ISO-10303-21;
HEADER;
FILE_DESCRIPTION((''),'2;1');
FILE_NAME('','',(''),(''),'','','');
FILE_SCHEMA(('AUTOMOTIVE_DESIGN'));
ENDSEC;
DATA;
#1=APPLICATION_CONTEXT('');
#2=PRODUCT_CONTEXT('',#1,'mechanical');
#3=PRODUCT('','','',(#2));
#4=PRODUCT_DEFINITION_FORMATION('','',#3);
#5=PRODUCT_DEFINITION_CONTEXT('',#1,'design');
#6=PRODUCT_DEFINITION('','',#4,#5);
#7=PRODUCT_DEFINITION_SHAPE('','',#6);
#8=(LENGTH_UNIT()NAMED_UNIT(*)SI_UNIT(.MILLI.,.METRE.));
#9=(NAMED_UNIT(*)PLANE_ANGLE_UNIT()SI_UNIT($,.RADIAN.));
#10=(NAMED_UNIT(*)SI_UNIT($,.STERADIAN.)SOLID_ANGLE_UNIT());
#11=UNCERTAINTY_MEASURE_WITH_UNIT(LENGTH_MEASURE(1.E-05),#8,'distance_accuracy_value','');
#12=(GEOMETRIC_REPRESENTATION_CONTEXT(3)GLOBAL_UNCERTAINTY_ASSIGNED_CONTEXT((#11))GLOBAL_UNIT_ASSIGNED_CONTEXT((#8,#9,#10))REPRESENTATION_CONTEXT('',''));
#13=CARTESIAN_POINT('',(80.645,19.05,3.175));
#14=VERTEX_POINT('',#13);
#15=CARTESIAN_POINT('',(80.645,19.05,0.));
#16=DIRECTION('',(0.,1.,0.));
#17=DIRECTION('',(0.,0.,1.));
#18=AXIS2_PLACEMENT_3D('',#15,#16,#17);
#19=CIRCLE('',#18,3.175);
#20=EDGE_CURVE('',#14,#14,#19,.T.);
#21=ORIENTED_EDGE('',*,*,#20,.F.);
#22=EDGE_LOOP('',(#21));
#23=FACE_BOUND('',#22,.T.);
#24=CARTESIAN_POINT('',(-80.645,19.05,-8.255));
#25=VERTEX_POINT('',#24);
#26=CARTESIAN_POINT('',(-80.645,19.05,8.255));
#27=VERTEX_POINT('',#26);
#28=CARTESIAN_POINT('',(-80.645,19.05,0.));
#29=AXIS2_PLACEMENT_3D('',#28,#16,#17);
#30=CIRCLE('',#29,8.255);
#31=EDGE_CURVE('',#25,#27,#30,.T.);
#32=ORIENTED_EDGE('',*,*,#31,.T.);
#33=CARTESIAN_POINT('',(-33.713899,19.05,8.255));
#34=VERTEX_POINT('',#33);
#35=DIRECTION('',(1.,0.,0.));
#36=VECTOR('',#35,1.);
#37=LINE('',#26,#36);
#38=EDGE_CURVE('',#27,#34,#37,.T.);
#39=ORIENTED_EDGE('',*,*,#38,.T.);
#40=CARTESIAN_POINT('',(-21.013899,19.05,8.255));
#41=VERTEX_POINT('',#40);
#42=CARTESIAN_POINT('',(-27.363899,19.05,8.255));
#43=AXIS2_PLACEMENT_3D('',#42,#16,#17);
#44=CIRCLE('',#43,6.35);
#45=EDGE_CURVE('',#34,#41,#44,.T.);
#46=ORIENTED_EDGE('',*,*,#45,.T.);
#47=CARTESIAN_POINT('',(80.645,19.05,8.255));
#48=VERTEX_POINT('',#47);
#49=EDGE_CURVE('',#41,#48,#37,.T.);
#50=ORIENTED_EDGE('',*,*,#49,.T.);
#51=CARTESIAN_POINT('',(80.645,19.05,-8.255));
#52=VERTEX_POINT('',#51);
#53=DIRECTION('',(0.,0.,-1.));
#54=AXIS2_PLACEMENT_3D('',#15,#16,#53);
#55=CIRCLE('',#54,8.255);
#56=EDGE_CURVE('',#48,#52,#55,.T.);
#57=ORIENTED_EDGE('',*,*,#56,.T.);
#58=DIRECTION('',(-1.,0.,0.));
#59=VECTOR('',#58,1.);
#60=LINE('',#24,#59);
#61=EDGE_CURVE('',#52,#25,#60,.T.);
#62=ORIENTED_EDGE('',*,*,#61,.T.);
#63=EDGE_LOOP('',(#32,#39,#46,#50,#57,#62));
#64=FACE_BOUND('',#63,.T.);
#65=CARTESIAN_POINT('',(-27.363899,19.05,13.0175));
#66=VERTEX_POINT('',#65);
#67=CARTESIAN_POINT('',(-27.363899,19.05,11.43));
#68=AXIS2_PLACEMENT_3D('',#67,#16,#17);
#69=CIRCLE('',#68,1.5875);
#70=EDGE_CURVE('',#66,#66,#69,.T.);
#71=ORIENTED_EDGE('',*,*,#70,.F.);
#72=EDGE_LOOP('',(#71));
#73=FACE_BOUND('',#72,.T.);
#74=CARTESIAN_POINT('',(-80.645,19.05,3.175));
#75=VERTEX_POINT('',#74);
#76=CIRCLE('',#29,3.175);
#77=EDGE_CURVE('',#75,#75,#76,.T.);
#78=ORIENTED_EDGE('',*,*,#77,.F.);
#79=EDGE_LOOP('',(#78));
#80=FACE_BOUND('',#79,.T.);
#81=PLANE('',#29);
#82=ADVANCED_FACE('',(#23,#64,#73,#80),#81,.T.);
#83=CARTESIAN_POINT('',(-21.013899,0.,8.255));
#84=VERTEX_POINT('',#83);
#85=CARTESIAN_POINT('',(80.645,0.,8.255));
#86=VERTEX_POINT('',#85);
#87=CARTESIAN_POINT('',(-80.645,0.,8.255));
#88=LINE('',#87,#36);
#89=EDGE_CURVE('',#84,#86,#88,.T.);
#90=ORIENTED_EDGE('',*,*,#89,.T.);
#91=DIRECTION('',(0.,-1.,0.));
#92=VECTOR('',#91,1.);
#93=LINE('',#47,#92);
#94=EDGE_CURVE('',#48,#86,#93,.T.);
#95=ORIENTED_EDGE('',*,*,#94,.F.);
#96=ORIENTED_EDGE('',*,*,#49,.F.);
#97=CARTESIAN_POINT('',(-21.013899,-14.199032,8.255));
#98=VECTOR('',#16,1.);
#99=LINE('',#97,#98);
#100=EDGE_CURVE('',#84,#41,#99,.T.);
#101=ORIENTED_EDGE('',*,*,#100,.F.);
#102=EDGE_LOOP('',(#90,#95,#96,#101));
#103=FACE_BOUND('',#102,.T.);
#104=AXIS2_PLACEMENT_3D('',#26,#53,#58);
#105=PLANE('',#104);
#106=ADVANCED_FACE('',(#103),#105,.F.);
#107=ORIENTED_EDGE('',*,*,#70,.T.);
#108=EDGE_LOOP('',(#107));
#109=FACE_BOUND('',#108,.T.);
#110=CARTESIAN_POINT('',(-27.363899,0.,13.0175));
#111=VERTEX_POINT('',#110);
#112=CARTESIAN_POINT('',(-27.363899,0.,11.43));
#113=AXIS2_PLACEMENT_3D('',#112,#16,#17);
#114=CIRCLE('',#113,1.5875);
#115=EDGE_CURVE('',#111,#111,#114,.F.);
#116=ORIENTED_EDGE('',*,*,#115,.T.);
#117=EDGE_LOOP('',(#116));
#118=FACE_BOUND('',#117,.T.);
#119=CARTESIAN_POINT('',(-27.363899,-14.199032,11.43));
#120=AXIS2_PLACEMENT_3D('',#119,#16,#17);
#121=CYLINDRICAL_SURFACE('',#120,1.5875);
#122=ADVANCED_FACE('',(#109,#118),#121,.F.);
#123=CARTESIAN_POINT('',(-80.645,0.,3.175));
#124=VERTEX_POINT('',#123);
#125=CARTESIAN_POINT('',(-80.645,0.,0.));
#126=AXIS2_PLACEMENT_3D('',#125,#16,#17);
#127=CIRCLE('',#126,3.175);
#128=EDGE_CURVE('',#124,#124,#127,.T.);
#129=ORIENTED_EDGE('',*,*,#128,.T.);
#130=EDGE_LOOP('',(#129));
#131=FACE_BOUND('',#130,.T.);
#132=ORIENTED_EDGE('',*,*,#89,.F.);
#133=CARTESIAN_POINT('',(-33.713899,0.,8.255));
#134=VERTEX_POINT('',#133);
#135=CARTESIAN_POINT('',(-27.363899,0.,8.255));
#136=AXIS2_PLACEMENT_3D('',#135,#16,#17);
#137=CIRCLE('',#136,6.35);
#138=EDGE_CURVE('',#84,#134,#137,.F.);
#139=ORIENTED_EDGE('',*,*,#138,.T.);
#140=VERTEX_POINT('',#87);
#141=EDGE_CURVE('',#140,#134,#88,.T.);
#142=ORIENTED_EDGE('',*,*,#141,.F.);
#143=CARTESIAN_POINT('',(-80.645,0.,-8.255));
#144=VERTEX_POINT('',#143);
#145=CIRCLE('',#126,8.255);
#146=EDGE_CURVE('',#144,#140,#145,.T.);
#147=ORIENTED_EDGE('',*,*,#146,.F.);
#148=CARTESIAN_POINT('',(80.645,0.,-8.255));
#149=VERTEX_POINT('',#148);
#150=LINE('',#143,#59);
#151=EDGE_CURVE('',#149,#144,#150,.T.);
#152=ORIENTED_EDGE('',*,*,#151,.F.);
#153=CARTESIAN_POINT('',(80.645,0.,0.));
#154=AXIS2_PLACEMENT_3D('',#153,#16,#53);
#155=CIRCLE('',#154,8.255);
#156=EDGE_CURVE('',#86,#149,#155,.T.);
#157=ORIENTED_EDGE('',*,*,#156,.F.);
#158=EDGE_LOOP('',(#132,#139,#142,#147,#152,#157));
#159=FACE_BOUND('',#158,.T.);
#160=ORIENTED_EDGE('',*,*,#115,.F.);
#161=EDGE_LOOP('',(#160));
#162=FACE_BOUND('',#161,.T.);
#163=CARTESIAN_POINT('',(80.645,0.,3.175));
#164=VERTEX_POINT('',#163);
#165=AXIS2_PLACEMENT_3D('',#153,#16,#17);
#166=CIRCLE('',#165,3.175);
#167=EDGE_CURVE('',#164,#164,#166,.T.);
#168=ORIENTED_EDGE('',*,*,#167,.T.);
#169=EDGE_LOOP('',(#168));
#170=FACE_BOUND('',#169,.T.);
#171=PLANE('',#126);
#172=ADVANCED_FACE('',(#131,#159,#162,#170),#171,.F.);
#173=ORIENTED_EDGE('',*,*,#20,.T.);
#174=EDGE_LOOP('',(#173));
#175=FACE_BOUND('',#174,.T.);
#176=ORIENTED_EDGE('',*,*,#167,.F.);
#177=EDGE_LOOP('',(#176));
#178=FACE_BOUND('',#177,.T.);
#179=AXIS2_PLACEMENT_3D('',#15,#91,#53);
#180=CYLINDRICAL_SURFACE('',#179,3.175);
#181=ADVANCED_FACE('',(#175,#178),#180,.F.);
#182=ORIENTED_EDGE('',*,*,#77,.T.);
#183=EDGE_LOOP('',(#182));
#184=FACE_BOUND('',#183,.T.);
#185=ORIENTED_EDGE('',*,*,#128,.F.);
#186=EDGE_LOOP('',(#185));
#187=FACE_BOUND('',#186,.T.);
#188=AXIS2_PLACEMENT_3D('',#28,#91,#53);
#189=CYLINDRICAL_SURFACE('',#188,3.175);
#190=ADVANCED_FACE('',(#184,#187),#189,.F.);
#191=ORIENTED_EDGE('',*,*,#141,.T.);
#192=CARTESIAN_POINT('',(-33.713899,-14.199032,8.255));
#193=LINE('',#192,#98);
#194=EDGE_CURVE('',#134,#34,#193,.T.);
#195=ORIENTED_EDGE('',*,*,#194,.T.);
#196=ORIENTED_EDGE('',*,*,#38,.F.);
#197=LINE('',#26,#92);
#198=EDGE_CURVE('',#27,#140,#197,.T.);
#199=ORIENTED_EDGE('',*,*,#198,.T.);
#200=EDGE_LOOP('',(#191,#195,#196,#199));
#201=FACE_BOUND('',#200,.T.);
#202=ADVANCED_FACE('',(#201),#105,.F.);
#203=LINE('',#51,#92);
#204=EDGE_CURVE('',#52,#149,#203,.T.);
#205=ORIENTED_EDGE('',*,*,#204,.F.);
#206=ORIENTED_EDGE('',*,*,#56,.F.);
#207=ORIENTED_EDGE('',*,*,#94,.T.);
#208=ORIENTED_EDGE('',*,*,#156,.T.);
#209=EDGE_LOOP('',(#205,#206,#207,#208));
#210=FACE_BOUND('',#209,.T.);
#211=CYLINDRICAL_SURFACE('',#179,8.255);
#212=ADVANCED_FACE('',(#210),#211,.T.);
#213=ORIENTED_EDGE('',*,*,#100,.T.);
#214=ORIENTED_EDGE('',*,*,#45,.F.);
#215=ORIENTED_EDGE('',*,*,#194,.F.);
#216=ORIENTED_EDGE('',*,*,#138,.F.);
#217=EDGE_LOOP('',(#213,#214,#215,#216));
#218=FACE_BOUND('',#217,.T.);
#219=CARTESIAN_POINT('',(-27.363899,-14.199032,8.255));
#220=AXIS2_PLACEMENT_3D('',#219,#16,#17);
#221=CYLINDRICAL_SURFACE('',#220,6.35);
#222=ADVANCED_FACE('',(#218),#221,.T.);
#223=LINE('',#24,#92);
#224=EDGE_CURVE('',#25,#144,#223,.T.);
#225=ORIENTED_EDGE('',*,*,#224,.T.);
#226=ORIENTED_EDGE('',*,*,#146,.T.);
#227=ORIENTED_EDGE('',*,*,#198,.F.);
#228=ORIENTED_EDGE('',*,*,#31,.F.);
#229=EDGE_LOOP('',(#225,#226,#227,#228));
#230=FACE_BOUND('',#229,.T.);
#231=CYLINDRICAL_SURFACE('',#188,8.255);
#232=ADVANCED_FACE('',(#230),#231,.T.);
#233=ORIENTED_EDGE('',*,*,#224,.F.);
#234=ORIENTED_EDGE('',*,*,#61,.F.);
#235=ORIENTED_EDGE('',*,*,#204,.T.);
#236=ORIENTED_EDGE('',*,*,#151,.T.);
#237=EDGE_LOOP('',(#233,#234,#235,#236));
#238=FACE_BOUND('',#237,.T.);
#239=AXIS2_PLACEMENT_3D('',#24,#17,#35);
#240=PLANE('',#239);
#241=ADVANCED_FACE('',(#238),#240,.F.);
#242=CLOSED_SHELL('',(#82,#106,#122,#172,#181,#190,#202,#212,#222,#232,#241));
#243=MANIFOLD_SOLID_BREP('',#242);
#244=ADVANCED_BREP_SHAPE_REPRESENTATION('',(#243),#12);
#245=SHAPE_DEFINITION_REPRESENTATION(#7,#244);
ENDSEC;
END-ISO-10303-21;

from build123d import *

# Parameters (mm, degrees)
SKETCH1_R           = 3.175
BOSS_EXTRUDE1_DEPTH = 19.05
SKETCH2_R           = 6.35
SKETCH2_R_2         = 1.5875
BOSS_EXTRUDE2_DEPTH = 19.05


with BuildPart() as part:
    # Sketch1 → Boss-Extrude1 (new body)
    with BuildSketch(Plane(origin=(0, 0, 0), x_dir=(1, 0, 0), z_dir=(0, 1, 0))):
        with BuildLine():
            Line((-80.645, -8.255), (80.645, -8.255))
            ThreePointArc((80.645, -8.255), (88.9, 0), (80.645, 8.255))
            Line((80.645, 8.255), (-80.645, 8.255))
            ThreePointArc((-80.645, 8.255), (-88.9, 0), (-80.645, -8.255))
        make_face()
        with Locations((-80.645, 0)):
            Circle(SKETCH1_R, mode=Mode.SUBTRACT)
        with Locations((80.645, 0)):
            Circle(SKETCH1_R, mode=Mode.SUBTRACT)
    extrude(amount=BOSS_EXTRUDE1_DEPTH)

    # Sketch2 → Boss-Extrude2 (add)
    with BuildSketch(Plane(origin=(0, 19.05, 0), x_dir=(1, 0, 0), z_dir=(0, 1, 0))):
        with Locations((-27.363899298, -8.255)):
            Circle(SKETCH2_R)
        with Locations((-27.363899298, -11.43)):
            Circle(SKETCH2_R_2, mode=Mode.SUBTRACT)
    extrude(amount=-BOSS_EXTRUDE2_DEPTH)


solid = part.part
